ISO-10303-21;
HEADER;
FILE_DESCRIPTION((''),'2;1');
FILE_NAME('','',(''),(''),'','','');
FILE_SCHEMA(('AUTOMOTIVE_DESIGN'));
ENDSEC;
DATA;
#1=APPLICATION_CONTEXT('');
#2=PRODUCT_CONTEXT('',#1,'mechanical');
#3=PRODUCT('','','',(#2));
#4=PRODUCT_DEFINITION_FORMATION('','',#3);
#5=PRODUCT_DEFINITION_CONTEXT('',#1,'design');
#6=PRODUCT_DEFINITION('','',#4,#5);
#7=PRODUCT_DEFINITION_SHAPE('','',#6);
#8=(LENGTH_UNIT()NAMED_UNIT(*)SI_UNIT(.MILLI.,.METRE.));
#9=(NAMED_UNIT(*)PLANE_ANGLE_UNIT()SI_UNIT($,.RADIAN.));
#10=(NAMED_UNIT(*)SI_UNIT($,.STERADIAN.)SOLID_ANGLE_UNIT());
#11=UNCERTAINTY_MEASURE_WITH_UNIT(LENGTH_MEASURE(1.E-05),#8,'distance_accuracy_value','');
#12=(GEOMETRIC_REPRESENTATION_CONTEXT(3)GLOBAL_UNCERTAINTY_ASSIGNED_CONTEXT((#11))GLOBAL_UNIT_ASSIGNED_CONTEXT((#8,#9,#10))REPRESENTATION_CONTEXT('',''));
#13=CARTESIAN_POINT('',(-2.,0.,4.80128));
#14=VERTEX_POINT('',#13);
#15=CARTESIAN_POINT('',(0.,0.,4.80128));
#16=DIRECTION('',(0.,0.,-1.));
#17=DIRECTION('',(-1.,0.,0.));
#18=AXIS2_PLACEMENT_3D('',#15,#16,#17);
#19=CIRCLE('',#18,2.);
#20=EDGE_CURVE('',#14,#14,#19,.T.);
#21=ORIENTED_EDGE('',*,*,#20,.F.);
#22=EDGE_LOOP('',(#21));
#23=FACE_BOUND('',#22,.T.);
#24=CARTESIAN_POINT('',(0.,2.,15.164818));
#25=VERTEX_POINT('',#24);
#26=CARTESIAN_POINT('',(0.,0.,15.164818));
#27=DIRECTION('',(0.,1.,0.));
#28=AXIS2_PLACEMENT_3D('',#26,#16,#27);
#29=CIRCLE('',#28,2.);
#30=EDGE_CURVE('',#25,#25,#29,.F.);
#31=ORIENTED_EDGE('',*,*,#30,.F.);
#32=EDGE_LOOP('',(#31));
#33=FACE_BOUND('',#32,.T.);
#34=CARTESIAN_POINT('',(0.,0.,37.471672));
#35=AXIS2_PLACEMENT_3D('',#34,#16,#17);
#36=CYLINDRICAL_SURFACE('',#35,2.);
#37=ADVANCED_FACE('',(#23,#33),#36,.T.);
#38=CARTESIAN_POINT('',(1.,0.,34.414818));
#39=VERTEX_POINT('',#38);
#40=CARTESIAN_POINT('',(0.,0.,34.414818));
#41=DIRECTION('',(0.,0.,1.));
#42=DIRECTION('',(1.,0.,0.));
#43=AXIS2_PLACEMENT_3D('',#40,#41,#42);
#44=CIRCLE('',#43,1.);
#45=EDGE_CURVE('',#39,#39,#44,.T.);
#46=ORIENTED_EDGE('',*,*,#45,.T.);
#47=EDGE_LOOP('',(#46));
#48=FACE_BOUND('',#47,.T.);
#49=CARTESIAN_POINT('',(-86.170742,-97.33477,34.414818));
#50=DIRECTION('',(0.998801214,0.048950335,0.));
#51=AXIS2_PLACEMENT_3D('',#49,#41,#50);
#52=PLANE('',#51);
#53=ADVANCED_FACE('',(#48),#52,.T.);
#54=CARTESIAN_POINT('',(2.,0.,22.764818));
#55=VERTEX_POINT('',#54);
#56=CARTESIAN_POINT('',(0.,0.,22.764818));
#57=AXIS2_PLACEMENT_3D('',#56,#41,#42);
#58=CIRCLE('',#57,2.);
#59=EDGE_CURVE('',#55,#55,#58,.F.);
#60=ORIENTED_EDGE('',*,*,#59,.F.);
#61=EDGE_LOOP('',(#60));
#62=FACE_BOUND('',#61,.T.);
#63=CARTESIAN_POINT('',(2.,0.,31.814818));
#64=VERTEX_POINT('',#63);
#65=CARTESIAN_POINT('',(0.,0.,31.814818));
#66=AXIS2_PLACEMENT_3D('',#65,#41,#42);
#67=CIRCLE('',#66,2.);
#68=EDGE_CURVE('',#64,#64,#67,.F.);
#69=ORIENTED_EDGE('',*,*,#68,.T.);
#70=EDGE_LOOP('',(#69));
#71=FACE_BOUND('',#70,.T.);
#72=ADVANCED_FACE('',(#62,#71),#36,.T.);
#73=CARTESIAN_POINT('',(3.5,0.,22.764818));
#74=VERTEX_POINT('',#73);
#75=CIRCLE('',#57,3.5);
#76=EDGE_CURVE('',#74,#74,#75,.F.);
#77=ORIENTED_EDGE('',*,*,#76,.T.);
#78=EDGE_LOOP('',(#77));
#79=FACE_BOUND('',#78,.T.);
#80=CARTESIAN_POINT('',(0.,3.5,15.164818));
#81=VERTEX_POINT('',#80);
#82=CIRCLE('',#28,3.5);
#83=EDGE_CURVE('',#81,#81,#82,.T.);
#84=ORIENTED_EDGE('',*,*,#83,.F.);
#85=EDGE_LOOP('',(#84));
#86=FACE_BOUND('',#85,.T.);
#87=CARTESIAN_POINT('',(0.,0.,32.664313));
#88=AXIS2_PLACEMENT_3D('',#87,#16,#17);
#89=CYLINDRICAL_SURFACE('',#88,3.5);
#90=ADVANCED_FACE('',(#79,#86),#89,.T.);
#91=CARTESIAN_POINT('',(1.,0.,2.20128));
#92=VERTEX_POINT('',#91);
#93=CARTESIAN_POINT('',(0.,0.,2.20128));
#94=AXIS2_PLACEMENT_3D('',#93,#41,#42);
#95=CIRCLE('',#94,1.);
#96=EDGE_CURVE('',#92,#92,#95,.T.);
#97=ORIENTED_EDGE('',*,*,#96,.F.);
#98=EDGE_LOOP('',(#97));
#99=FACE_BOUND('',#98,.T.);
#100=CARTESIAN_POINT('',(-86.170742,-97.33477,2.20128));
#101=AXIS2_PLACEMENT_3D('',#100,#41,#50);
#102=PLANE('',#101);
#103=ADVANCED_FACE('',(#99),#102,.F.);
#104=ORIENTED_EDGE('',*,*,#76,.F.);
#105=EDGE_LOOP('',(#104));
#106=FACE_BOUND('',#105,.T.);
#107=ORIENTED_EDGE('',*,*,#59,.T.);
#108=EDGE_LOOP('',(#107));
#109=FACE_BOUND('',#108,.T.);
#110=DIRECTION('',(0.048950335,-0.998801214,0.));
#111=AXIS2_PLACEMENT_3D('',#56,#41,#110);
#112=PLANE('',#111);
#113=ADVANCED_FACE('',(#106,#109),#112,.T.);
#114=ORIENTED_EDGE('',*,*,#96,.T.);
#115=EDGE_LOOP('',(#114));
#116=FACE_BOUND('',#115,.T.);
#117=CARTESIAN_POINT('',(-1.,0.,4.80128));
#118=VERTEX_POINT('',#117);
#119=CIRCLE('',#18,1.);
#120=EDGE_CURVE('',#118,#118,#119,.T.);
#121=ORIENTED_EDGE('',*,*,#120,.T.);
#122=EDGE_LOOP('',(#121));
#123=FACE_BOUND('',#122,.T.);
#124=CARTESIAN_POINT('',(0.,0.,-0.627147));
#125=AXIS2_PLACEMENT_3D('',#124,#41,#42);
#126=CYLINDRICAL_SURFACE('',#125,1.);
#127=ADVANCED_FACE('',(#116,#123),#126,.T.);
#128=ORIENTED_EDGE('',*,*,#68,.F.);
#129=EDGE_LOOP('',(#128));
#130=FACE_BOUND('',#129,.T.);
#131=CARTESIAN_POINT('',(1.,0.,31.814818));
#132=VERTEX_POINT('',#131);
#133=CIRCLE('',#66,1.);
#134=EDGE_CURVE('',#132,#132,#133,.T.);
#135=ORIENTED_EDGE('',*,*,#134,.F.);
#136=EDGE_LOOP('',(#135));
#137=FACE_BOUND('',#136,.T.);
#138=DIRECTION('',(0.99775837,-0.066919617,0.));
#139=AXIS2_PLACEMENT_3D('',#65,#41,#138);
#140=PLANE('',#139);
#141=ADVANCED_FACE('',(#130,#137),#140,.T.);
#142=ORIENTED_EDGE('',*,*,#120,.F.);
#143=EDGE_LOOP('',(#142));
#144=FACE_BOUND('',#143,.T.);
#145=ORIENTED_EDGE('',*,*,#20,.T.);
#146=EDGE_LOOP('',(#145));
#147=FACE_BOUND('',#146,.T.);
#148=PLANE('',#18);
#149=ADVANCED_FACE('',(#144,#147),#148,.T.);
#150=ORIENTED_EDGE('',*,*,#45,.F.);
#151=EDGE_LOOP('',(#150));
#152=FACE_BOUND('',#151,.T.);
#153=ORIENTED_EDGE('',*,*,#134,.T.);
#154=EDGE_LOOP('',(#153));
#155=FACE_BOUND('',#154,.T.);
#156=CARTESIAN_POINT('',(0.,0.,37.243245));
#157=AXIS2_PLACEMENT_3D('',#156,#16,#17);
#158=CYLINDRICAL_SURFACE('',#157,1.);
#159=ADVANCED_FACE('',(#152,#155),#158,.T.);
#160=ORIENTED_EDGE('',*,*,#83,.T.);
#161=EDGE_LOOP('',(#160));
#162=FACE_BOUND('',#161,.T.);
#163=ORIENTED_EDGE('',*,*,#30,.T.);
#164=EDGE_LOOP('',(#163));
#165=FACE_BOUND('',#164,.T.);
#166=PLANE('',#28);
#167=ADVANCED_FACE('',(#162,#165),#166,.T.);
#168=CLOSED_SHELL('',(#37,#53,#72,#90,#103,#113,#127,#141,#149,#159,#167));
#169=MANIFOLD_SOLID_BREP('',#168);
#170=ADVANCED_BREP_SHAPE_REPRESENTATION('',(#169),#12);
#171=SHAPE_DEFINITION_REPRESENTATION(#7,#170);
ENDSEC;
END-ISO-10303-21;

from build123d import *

# Parameters (mm, degrees)
EXTRUDE_START   = 4.80128
SKETCH_1_R      = 2
EXTRUDE_1_DEPTH = 27.013538
SKETCH_2_R      = 1
EXTRUDE_2_DEPTH = 2.6
SKETCH_4_R      = 1
EXTRUDE_3_DEPTH = 2.6
EXTRUDE_START_2 = -17.963538
SKETCH_6_R      = 3.5
EXTRUDE_5_DEPTH = 7.6


with BuildPart() as part:
    # Эскиз1 → Бобышка-Вытянуть1 (new body)
    with BuildSketch(Plane.XY.offset(EXTRUDE_START)):
        Circle(SKETCH_1_R)
    extrude(amount=EXTRUDE_1_DEPTH)

    # Эскиз2 → Бобышка-Вытянуть2 (add)
    with BuildSketch(Plane.XY.offset(31.814817835)):
        Circle(SKETCH_2_R)
    extrude(amount=EXTRUDE_2_DEPTH)

    # Эскиз4 → Бобышка-Вытянуть3 (add)
    with BuildSketch(Plane(origin=(0, 0, 4.801280123), x_dir=(-1, 0, 0), z_dir=(0, 0, -1))):
        Circle(SKETCH_4_R)
    extrude(amount=EXTRUDE_3_DEPTH)

    # Эскиз6 → Бобышка-Вытянуть5 (add)
    with BuildSketch(Plane(origin=(0, 0, 4.801280123), x_dir=(-1, 0, 0), z_dir=(0, 0, -1)).offset(EXTRUDE_START_2)):
        Circle(SKETCH_6_R)
    extrude(amount=EXTRUDE_5_DEPTH)


solid = part.part
